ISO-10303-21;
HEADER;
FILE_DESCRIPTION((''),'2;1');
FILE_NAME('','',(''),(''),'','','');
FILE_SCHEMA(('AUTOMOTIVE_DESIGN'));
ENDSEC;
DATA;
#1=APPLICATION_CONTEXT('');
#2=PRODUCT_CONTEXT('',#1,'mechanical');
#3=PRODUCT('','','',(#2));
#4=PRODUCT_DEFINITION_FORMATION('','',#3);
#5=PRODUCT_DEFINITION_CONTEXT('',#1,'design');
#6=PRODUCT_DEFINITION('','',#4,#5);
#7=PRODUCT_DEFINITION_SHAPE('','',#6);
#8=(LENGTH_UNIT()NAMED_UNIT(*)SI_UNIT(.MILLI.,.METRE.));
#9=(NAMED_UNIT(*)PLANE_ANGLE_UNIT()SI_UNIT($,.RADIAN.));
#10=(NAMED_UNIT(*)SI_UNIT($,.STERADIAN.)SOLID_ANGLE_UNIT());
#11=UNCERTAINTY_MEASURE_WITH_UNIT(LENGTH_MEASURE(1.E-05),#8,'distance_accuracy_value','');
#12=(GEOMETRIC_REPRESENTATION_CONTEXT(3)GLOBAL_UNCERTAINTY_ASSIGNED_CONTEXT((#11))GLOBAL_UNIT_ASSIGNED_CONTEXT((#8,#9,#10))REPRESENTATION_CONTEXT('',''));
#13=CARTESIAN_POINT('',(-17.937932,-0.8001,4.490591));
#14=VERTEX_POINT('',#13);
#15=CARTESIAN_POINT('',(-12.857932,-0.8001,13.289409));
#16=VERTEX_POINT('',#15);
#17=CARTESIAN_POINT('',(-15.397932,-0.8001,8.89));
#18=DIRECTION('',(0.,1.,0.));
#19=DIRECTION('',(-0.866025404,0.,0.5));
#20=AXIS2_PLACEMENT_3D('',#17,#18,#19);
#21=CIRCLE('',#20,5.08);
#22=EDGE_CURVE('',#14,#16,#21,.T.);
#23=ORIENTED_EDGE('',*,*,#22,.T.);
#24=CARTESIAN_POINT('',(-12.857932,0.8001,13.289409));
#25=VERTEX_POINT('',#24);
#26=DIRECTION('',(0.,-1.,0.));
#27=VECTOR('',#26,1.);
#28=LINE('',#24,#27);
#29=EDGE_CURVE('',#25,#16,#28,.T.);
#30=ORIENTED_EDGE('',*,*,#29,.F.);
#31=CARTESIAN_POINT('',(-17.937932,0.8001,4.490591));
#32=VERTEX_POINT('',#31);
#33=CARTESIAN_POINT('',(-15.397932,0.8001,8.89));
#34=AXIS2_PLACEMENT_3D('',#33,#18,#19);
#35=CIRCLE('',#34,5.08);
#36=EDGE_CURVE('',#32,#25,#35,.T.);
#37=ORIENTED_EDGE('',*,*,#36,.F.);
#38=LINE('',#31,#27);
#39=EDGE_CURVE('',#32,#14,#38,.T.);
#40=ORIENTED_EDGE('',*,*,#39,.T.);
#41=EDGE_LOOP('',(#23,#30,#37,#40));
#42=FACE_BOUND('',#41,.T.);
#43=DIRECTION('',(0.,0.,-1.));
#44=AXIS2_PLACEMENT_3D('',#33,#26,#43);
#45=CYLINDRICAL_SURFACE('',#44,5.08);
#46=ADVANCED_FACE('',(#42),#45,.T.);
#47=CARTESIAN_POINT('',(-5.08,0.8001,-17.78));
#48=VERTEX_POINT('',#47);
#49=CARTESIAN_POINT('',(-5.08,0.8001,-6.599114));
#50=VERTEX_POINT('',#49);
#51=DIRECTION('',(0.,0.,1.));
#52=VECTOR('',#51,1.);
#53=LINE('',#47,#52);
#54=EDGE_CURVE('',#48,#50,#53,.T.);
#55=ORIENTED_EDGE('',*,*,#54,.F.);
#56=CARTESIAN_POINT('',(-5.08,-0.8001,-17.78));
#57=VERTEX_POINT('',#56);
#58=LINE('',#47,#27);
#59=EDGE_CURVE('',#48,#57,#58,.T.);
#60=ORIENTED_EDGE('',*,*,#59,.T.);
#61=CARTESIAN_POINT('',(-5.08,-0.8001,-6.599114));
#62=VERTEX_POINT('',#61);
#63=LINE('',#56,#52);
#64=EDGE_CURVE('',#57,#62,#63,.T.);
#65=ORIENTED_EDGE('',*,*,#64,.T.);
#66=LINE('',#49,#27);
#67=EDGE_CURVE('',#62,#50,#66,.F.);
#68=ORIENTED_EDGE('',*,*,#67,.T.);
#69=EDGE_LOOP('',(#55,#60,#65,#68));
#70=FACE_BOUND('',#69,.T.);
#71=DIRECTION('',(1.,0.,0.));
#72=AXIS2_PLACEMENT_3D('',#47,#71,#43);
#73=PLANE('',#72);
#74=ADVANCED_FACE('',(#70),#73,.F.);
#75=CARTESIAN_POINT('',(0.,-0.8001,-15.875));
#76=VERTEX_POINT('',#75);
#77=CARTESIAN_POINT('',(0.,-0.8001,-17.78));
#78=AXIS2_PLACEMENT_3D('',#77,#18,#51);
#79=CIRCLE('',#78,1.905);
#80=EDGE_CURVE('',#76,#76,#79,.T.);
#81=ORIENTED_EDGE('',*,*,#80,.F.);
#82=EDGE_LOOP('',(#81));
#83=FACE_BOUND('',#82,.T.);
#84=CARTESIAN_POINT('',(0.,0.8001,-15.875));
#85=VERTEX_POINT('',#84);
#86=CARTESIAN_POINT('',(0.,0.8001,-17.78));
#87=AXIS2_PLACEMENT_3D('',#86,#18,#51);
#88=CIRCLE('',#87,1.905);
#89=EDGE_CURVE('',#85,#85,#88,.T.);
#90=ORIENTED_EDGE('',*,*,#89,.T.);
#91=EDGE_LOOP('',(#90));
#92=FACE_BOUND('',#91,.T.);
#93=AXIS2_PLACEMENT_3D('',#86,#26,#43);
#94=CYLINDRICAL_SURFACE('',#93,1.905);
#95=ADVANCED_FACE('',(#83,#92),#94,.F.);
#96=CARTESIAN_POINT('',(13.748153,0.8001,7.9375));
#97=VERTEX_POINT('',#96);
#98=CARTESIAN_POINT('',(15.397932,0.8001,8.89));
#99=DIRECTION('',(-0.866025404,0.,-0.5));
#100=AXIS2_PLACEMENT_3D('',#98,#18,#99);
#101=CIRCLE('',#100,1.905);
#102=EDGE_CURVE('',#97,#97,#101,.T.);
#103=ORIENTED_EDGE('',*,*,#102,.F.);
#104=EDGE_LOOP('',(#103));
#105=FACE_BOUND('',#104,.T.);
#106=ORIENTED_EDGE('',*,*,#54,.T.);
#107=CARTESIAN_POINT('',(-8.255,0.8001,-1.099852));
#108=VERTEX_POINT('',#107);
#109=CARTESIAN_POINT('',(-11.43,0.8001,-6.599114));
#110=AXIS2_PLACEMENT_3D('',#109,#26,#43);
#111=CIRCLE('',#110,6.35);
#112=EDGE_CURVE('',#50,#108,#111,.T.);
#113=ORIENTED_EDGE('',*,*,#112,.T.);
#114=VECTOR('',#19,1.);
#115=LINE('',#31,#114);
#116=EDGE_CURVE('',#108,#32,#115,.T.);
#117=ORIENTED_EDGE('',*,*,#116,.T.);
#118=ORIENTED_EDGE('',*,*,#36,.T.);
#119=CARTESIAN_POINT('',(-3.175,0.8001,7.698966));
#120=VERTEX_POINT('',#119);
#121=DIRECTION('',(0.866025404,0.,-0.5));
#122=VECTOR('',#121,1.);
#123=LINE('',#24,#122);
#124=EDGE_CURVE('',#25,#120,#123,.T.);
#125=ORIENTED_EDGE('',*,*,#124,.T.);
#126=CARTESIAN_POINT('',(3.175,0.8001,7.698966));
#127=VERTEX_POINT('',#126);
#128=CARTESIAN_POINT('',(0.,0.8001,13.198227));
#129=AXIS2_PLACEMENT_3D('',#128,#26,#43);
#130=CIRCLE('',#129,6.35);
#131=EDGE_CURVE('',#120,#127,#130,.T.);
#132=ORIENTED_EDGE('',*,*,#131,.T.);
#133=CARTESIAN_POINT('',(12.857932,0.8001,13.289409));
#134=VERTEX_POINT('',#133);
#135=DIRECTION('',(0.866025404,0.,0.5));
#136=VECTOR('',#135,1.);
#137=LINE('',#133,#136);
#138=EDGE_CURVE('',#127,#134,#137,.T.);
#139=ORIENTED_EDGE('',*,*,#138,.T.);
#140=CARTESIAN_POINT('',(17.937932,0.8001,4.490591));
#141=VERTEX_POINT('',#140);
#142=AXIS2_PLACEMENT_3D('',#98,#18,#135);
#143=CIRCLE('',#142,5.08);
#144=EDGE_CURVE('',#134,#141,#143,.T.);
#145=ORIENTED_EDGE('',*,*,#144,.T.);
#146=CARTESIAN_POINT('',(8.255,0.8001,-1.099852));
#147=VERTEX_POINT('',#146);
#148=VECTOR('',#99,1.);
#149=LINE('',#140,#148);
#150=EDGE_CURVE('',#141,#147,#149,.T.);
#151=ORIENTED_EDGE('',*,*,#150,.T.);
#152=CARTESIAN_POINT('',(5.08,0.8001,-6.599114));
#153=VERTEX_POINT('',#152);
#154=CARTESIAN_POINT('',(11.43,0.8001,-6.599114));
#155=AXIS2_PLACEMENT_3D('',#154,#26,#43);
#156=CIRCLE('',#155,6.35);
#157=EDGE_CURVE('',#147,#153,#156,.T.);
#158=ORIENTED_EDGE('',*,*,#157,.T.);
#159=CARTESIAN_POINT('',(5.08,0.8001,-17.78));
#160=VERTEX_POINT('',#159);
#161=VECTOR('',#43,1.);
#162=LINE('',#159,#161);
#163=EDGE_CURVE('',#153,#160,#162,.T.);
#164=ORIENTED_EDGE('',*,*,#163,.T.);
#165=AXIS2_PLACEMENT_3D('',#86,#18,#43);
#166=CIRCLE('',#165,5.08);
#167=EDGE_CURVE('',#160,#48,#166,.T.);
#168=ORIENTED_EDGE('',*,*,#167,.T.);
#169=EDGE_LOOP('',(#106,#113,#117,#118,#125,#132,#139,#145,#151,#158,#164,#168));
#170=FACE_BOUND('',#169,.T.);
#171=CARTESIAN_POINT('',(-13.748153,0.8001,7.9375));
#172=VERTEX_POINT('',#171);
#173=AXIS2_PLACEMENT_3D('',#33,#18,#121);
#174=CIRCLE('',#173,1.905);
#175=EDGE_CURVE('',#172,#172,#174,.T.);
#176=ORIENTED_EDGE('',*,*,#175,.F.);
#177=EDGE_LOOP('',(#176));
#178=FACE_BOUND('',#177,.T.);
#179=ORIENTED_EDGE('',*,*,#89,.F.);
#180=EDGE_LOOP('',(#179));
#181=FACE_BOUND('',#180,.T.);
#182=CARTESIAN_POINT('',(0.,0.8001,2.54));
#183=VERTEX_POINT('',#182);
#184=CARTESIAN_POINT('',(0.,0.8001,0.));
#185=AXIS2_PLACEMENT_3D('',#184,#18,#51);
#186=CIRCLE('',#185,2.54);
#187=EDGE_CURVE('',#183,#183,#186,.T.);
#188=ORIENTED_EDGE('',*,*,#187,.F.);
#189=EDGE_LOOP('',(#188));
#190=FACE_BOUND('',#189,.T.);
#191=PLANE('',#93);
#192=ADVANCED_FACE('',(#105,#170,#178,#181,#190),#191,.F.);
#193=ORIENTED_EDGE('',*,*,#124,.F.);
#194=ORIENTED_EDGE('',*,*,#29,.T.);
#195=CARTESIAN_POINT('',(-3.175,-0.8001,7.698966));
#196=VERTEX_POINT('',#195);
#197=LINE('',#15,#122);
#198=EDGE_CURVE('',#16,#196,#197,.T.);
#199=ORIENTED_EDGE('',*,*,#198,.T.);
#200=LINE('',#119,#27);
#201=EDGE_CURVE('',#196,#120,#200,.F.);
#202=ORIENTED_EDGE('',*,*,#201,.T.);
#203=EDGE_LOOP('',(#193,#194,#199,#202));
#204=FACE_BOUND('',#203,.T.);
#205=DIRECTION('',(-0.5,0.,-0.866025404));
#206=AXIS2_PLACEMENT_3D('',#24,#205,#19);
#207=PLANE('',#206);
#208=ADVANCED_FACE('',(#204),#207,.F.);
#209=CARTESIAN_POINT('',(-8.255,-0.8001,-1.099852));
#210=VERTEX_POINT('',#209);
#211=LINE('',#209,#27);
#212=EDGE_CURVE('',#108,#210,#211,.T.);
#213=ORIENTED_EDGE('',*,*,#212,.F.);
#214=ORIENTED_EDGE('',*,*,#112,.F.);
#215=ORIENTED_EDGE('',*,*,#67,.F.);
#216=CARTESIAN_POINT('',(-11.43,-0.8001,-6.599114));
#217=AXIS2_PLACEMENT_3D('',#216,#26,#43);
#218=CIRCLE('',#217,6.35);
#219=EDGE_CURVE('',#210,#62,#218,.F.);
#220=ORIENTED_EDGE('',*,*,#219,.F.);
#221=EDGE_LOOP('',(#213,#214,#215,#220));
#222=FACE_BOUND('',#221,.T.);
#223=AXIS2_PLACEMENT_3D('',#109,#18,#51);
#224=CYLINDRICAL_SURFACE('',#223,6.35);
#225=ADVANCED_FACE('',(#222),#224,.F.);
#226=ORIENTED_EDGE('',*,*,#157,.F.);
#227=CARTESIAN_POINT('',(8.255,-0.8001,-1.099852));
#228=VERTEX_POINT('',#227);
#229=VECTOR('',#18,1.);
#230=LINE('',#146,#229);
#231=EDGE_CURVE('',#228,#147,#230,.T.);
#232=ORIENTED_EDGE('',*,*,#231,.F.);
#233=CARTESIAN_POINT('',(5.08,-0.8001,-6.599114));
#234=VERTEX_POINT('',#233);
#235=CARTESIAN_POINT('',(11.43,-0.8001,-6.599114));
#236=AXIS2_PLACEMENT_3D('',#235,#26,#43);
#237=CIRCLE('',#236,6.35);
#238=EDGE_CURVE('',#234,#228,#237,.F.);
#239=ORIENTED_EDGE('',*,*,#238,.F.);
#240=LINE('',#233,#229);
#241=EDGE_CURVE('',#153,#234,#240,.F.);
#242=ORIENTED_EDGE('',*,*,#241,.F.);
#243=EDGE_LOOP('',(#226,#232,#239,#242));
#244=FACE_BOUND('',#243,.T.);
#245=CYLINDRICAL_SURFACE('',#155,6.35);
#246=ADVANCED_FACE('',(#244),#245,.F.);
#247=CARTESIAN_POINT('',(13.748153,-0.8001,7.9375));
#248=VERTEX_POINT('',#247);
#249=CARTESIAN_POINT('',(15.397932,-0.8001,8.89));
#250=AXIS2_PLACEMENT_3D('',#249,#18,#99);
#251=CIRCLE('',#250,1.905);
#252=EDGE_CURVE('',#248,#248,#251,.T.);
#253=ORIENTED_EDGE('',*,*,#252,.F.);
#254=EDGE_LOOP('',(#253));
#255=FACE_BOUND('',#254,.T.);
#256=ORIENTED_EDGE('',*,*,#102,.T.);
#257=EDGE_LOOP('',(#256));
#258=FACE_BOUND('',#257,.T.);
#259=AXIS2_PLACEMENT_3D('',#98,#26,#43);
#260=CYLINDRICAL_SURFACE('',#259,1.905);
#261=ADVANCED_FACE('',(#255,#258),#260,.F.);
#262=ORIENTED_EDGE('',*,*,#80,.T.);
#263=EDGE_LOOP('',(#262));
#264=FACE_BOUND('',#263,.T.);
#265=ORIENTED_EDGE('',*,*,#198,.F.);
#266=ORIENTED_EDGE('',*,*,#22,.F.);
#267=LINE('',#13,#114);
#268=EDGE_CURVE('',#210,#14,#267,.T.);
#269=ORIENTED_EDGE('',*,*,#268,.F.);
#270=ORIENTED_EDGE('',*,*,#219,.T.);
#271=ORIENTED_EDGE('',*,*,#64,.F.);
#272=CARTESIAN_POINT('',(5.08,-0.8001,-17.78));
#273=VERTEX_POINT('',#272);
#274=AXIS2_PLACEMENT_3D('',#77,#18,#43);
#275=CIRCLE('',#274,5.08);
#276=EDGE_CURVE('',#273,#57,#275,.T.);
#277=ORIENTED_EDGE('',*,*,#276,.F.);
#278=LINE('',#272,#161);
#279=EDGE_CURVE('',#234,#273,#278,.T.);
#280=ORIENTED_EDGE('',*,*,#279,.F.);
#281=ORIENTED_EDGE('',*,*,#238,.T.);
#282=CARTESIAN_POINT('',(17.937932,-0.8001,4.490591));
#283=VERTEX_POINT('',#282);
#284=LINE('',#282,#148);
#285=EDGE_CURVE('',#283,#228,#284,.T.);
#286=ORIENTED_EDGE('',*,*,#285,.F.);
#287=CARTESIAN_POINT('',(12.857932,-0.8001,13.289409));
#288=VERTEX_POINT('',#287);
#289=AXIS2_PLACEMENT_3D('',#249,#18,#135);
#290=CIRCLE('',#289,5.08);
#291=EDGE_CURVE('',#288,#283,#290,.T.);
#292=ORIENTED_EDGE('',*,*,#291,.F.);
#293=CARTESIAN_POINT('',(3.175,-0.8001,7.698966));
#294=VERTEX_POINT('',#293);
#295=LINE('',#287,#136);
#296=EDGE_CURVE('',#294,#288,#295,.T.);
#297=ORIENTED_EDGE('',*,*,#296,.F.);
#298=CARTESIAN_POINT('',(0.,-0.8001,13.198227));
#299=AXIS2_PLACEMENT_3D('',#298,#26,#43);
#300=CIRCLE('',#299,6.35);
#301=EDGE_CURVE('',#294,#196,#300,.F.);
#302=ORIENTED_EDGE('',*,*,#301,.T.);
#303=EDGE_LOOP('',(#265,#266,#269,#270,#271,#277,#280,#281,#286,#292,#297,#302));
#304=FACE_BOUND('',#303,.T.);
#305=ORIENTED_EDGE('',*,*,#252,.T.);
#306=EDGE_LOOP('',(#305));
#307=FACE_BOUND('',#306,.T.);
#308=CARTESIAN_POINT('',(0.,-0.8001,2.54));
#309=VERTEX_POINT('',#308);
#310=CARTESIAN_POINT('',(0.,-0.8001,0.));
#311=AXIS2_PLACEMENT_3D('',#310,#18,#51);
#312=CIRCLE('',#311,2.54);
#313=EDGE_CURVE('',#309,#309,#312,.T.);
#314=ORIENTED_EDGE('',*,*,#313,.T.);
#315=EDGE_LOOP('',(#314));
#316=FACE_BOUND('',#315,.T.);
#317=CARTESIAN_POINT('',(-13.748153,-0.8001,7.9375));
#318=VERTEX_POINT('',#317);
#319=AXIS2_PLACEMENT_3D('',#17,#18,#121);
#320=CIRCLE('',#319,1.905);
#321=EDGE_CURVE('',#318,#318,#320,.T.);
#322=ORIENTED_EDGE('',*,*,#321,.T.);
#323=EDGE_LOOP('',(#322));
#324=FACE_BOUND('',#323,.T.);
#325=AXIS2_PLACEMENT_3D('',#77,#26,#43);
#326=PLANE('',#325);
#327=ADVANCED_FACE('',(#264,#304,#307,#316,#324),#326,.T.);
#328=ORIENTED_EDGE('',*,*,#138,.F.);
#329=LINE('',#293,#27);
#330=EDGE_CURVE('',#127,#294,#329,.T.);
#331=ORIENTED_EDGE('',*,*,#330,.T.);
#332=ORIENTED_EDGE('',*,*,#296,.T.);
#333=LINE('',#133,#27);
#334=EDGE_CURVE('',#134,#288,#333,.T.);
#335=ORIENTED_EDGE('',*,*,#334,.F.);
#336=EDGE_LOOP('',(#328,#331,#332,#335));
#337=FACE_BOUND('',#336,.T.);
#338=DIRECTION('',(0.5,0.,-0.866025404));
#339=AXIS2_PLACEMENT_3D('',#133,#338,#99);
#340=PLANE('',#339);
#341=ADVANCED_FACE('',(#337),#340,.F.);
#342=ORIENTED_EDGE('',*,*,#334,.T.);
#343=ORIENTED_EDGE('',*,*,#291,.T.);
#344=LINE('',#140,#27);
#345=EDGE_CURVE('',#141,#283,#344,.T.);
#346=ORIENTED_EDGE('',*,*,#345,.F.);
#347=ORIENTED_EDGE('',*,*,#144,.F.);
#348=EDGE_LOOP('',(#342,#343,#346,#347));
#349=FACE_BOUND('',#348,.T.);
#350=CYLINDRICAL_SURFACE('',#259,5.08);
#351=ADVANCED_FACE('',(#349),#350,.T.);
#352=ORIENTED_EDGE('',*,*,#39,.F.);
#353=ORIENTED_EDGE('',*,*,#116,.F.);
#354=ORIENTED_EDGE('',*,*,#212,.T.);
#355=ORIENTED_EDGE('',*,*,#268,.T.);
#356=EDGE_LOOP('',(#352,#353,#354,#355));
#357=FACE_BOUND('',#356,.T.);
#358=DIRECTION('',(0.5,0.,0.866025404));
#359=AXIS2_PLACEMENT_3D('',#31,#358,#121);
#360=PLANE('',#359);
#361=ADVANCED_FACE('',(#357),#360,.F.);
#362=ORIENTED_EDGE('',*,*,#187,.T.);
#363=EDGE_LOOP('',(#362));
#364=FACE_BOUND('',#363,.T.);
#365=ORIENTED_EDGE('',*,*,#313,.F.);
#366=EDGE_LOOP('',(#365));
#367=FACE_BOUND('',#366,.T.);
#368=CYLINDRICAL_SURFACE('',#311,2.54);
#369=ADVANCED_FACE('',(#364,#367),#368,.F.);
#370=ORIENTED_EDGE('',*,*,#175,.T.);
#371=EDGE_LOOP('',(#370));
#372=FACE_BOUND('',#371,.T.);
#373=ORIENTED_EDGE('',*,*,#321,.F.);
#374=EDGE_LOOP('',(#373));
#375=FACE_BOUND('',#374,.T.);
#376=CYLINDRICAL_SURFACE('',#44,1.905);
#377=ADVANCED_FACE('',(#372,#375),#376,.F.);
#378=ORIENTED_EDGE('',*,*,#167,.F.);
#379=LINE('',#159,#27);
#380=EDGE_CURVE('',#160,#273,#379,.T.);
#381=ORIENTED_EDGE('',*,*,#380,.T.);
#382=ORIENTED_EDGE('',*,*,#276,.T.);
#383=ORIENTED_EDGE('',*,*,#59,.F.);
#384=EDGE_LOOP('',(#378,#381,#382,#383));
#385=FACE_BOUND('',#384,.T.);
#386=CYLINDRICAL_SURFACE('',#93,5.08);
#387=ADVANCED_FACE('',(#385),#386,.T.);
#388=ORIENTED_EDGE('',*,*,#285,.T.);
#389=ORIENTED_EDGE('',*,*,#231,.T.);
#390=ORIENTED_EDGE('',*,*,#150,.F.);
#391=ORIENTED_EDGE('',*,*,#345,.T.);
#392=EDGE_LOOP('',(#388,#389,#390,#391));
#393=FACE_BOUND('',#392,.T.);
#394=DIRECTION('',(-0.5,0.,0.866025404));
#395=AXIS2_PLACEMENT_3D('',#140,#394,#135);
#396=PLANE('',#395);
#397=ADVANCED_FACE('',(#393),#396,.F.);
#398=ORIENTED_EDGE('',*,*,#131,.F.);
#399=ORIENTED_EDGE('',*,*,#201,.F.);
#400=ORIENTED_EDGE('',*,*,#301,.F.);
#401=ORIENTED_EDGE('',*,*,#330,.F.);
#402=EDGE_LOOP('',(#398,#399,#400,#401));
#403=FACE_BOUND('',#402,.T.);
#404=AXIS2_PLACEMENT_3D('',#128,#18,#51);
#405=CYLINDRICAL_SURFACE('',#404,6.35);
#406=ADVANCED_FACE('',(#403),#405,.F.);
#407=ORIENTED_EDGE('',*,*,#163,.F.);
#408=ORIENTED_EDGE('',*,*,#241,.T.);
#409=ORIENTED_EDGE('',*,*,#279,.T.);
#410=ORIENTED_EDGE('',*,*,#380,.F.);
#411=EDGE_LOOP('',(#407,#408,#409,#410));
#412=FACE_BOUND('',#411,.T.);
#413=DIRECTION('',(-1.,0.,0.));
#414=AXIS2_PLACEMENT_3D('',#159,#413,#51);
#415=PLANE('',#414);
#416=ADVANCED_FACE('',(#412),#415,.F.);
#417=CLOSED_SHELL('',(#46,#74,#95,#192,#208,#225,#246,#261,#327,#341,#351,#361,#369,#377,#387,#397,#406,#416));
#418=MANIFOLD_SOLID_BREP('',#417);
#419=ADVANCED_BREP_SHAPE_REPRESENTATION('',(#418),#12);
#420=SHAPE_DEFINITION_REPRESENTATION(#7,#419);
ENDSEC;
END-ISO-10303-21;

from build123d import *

# Parameters (mm, degrees)
SKETCH1_R           = 1.905
BOSS_EXTRUDE1_DEPTH = 0.8001
CIRPATTERN1_COUNT   = 3
SKETCH2_R           = 2.54
CUT_EXTRUDE1_DEPTH  = 2.6002
FILLET1_R           = 6.35


with BuildPart() as part:
    # Sketch1 → Boss-Extrude1 (new body, symmetric)
    with BuildSketch(Plane(origin=(0, 0, 0), x_dir=(1, 0, 0), z_dir=(0, 1, 0))):
        with BuildLine():
            Line((-5.08, 17.78), (-5.08, 0))
            Line((-5.08, 0), (5.08, 0))
            Line((5.08, 0), (5.08, 17.78))
            ThreePointArc((5.08, 17.78), (0, 22.86), (-5.08, 17.78))
        make_face()
        with Locations((0, 17.78)):
            Circle(SKETCH1_R, mode=Mode.SUBTRACT)
    boss_extrude1 = extrude(amount=BOSS_EXTRUDE1_DEPTH, both=True)

    # CirPattern1: Boss-Extrude1 ×3 about axis
    cirpattern1_axis = Axis((0, 0, 0), (0, 1, 0))
    for i in range(1, CIRPATTERN1_COUNT):
        add(boss_extrude1.rotate(cirpattern1_axis, i * 360 / CIRPATTERN1_COUNT))

    # Sketch2 → Cut-Extrude1 (cut, through all)
    with BuildSketch(Plane(origin=(0, 0.8001, 0), x_dir=(1, 0, 0), z_dir=(0, 1, 0))):
        Circle(SKETCH2_R)
    extrude(amount=-CUT_EXTRUDE1_DEPTH, mode=Mode.SUBTRACT)

    # Fillet1
    fillet1_edges = [part.edges().sort_by_distance(p)[0] for p in [
        (5.08, 0, -2.932939367),
        (-5.08, 0, -2.932939367),
        (0, 0, 5.865878735),
    ]]
    fillet(fillet1_edges, radius=FILLET1_R)


solid = part.part
